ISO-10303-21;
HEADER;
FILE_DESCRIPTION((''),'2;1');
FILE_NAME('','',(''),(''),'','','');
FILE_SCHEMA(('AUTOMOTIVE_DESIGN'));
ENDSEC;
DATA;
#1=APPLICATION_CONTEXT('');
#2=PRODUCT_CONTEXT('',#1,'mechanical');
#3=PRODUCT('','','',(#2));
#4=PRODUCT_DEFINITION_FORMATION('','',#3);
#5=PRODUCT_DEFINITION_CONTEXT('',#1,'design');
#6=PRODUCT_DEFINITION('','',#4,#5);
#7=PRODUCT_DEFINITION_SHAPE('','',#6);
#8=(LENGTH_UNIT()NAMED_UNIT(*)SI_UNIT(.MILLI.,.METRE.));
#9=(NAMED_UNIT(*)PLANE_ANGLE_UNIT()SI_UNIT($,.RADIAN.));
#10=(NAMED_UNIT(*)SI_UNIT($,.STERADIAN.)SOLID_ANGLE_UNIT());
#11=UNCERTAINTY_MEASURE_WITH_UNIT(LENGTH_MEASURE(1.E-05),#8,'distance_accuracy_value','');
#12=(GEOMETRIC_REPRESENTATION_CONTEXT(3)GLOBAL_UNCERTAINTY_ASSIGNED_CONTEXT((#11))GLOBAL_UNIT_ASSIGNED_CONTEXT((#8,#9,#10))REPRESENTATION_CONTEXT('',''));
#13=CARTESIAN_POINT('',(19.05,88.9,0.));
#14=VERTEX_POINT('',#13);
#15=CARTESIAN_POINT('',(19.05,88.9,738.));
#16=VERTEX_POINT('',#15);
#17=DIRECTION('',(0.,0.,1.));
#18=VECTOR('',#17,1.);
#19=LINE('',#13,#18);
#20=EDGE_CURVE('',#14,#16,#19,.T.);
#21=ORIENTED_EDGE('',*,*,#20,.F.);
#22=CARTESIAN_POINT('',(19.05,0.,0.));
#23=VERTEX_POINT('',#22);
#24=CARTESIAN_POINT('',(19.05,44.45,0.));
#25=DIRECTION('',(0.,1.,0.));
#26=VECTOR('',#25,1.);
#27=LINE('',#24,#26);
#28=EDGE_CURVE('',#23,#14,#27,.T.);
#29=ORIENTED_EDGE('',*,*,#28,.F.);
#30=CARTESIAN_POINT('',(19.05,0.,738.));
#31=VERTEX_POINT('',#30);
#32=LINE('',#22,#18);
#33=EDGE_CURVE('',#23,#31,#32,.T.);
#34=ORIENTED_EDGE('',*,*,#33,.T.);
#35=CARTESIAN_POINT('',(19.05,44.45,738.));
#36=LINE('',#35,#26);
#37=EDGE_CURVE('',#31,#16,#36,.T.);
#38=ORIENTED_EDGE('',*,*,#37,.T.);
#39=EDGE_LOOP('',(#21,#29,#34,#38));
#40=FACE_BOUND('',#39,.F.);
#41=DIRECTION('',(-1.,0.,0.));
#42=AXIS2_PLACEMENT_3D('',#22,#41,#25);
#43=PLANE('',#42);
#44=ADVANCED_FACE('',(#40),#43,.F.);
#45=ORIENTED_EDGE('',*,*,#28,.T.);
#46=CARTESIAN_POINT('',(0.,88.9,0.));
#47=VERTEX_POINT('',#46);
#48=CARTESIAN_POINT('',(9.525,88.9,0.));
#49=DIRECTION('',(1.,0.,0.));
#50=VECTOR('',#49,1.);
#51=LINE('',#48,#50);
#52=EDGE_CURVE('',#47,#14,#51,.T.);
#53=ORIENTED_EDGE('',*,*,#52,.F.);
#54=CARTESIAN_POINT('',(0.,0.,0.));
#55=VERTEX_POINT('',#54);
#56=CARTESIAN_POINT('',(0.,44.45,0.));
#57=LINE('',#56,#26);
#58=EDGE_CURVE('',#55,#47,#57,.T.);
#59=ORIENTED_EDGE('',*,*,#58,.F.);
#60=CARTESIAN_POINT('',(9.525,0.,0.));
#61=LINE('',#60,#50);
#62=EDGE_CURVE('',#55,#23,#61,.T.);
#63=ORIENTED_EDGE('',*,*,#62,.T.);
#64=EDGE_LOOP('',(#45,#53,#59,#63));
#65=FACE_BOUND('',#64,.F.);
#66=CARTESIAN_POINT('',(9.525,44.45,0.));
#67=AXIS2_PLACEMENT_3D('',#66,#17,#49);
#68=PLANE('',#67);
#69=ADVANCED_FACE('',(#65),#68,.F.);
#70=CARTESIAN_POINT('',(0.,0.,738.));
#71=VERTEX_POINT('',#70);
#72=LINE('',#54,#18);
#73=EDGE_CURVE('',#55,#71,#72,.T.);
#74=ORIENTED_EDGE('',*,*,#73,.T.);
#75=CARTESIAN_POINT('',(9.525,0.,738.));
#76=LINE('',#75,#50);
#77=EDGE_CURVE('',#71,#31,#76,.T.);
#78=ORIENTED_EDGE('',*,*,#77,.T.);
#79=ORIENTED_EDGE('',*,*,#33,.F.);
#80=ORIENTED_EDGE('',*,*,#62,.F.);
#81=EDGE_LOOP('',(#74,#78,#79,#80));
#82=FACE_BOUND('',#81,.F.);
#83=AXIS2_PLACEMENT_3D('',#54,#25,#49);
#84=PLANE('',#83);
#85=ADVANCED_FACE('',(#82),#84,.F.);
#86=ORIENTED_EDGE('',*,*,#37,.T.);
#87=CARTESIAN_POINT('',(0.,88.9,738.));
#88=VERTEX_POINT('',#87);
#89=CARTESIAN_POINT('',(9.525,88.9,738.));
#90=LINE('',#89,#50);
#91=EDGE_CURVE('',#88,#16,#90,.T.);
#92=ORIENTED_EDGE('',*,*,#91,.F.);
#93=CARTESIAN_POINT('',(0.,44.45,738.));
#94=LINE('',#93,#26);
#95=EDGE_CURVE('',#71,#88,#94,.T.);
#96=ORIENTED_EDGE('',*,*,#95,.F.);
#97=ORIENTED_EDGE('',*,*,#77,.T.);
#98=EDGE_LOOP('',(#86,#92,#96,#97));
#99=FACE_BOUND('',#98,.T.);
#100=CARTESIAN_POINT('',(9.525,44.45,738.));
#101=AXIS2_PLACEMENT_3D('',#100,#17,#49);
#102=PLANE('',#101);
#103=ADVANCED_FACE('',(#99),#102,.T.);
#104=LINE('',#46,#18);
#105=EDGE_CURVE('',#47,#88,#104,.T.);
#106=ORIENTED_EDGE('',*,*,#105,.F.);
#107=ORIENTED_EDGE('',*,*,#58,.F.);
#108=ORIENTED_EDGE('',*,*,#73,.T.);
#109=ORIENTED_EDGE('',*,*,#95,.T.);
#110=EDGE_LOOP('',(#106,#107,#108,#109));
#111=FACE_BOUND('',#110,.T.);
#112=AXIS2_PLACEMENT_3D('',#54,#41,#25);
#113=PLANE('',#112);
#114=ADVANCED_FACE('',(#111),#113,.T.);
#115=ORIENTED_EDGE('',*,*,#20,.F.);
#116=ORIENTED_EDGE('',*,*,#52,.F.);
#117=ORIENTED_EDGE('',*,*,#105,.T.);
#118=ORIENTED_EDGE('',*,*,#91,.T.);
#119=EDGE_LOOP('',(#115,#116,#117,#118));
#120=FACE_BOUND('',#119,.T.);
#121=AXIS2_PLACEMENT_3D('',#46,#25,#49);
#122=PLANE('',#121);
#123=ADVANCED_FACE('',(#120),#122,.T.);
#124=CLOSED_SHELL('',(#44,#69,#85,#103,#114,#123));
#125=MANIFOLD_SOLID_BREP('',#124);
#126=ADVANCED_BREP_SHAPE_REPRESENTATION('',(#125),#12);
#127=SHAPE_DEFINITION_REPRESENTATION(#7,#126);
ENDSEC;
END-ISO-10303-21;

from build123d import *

# Parameters (mm, degrees)
SKETCH_W  = 19.05
SKETCH_H  = 88.9
PAD_DEPTH = 738


with BuildPart() as part:
    # Sketch → Pad (new body)
    with BuildSketch(Plane.XY):
        with Locations((9.525, 44.45)):
            Rectangle(SKETCH_W, SKETCH_H)
    extrude(amount=PAD_DEPTH)


solid = part.part
